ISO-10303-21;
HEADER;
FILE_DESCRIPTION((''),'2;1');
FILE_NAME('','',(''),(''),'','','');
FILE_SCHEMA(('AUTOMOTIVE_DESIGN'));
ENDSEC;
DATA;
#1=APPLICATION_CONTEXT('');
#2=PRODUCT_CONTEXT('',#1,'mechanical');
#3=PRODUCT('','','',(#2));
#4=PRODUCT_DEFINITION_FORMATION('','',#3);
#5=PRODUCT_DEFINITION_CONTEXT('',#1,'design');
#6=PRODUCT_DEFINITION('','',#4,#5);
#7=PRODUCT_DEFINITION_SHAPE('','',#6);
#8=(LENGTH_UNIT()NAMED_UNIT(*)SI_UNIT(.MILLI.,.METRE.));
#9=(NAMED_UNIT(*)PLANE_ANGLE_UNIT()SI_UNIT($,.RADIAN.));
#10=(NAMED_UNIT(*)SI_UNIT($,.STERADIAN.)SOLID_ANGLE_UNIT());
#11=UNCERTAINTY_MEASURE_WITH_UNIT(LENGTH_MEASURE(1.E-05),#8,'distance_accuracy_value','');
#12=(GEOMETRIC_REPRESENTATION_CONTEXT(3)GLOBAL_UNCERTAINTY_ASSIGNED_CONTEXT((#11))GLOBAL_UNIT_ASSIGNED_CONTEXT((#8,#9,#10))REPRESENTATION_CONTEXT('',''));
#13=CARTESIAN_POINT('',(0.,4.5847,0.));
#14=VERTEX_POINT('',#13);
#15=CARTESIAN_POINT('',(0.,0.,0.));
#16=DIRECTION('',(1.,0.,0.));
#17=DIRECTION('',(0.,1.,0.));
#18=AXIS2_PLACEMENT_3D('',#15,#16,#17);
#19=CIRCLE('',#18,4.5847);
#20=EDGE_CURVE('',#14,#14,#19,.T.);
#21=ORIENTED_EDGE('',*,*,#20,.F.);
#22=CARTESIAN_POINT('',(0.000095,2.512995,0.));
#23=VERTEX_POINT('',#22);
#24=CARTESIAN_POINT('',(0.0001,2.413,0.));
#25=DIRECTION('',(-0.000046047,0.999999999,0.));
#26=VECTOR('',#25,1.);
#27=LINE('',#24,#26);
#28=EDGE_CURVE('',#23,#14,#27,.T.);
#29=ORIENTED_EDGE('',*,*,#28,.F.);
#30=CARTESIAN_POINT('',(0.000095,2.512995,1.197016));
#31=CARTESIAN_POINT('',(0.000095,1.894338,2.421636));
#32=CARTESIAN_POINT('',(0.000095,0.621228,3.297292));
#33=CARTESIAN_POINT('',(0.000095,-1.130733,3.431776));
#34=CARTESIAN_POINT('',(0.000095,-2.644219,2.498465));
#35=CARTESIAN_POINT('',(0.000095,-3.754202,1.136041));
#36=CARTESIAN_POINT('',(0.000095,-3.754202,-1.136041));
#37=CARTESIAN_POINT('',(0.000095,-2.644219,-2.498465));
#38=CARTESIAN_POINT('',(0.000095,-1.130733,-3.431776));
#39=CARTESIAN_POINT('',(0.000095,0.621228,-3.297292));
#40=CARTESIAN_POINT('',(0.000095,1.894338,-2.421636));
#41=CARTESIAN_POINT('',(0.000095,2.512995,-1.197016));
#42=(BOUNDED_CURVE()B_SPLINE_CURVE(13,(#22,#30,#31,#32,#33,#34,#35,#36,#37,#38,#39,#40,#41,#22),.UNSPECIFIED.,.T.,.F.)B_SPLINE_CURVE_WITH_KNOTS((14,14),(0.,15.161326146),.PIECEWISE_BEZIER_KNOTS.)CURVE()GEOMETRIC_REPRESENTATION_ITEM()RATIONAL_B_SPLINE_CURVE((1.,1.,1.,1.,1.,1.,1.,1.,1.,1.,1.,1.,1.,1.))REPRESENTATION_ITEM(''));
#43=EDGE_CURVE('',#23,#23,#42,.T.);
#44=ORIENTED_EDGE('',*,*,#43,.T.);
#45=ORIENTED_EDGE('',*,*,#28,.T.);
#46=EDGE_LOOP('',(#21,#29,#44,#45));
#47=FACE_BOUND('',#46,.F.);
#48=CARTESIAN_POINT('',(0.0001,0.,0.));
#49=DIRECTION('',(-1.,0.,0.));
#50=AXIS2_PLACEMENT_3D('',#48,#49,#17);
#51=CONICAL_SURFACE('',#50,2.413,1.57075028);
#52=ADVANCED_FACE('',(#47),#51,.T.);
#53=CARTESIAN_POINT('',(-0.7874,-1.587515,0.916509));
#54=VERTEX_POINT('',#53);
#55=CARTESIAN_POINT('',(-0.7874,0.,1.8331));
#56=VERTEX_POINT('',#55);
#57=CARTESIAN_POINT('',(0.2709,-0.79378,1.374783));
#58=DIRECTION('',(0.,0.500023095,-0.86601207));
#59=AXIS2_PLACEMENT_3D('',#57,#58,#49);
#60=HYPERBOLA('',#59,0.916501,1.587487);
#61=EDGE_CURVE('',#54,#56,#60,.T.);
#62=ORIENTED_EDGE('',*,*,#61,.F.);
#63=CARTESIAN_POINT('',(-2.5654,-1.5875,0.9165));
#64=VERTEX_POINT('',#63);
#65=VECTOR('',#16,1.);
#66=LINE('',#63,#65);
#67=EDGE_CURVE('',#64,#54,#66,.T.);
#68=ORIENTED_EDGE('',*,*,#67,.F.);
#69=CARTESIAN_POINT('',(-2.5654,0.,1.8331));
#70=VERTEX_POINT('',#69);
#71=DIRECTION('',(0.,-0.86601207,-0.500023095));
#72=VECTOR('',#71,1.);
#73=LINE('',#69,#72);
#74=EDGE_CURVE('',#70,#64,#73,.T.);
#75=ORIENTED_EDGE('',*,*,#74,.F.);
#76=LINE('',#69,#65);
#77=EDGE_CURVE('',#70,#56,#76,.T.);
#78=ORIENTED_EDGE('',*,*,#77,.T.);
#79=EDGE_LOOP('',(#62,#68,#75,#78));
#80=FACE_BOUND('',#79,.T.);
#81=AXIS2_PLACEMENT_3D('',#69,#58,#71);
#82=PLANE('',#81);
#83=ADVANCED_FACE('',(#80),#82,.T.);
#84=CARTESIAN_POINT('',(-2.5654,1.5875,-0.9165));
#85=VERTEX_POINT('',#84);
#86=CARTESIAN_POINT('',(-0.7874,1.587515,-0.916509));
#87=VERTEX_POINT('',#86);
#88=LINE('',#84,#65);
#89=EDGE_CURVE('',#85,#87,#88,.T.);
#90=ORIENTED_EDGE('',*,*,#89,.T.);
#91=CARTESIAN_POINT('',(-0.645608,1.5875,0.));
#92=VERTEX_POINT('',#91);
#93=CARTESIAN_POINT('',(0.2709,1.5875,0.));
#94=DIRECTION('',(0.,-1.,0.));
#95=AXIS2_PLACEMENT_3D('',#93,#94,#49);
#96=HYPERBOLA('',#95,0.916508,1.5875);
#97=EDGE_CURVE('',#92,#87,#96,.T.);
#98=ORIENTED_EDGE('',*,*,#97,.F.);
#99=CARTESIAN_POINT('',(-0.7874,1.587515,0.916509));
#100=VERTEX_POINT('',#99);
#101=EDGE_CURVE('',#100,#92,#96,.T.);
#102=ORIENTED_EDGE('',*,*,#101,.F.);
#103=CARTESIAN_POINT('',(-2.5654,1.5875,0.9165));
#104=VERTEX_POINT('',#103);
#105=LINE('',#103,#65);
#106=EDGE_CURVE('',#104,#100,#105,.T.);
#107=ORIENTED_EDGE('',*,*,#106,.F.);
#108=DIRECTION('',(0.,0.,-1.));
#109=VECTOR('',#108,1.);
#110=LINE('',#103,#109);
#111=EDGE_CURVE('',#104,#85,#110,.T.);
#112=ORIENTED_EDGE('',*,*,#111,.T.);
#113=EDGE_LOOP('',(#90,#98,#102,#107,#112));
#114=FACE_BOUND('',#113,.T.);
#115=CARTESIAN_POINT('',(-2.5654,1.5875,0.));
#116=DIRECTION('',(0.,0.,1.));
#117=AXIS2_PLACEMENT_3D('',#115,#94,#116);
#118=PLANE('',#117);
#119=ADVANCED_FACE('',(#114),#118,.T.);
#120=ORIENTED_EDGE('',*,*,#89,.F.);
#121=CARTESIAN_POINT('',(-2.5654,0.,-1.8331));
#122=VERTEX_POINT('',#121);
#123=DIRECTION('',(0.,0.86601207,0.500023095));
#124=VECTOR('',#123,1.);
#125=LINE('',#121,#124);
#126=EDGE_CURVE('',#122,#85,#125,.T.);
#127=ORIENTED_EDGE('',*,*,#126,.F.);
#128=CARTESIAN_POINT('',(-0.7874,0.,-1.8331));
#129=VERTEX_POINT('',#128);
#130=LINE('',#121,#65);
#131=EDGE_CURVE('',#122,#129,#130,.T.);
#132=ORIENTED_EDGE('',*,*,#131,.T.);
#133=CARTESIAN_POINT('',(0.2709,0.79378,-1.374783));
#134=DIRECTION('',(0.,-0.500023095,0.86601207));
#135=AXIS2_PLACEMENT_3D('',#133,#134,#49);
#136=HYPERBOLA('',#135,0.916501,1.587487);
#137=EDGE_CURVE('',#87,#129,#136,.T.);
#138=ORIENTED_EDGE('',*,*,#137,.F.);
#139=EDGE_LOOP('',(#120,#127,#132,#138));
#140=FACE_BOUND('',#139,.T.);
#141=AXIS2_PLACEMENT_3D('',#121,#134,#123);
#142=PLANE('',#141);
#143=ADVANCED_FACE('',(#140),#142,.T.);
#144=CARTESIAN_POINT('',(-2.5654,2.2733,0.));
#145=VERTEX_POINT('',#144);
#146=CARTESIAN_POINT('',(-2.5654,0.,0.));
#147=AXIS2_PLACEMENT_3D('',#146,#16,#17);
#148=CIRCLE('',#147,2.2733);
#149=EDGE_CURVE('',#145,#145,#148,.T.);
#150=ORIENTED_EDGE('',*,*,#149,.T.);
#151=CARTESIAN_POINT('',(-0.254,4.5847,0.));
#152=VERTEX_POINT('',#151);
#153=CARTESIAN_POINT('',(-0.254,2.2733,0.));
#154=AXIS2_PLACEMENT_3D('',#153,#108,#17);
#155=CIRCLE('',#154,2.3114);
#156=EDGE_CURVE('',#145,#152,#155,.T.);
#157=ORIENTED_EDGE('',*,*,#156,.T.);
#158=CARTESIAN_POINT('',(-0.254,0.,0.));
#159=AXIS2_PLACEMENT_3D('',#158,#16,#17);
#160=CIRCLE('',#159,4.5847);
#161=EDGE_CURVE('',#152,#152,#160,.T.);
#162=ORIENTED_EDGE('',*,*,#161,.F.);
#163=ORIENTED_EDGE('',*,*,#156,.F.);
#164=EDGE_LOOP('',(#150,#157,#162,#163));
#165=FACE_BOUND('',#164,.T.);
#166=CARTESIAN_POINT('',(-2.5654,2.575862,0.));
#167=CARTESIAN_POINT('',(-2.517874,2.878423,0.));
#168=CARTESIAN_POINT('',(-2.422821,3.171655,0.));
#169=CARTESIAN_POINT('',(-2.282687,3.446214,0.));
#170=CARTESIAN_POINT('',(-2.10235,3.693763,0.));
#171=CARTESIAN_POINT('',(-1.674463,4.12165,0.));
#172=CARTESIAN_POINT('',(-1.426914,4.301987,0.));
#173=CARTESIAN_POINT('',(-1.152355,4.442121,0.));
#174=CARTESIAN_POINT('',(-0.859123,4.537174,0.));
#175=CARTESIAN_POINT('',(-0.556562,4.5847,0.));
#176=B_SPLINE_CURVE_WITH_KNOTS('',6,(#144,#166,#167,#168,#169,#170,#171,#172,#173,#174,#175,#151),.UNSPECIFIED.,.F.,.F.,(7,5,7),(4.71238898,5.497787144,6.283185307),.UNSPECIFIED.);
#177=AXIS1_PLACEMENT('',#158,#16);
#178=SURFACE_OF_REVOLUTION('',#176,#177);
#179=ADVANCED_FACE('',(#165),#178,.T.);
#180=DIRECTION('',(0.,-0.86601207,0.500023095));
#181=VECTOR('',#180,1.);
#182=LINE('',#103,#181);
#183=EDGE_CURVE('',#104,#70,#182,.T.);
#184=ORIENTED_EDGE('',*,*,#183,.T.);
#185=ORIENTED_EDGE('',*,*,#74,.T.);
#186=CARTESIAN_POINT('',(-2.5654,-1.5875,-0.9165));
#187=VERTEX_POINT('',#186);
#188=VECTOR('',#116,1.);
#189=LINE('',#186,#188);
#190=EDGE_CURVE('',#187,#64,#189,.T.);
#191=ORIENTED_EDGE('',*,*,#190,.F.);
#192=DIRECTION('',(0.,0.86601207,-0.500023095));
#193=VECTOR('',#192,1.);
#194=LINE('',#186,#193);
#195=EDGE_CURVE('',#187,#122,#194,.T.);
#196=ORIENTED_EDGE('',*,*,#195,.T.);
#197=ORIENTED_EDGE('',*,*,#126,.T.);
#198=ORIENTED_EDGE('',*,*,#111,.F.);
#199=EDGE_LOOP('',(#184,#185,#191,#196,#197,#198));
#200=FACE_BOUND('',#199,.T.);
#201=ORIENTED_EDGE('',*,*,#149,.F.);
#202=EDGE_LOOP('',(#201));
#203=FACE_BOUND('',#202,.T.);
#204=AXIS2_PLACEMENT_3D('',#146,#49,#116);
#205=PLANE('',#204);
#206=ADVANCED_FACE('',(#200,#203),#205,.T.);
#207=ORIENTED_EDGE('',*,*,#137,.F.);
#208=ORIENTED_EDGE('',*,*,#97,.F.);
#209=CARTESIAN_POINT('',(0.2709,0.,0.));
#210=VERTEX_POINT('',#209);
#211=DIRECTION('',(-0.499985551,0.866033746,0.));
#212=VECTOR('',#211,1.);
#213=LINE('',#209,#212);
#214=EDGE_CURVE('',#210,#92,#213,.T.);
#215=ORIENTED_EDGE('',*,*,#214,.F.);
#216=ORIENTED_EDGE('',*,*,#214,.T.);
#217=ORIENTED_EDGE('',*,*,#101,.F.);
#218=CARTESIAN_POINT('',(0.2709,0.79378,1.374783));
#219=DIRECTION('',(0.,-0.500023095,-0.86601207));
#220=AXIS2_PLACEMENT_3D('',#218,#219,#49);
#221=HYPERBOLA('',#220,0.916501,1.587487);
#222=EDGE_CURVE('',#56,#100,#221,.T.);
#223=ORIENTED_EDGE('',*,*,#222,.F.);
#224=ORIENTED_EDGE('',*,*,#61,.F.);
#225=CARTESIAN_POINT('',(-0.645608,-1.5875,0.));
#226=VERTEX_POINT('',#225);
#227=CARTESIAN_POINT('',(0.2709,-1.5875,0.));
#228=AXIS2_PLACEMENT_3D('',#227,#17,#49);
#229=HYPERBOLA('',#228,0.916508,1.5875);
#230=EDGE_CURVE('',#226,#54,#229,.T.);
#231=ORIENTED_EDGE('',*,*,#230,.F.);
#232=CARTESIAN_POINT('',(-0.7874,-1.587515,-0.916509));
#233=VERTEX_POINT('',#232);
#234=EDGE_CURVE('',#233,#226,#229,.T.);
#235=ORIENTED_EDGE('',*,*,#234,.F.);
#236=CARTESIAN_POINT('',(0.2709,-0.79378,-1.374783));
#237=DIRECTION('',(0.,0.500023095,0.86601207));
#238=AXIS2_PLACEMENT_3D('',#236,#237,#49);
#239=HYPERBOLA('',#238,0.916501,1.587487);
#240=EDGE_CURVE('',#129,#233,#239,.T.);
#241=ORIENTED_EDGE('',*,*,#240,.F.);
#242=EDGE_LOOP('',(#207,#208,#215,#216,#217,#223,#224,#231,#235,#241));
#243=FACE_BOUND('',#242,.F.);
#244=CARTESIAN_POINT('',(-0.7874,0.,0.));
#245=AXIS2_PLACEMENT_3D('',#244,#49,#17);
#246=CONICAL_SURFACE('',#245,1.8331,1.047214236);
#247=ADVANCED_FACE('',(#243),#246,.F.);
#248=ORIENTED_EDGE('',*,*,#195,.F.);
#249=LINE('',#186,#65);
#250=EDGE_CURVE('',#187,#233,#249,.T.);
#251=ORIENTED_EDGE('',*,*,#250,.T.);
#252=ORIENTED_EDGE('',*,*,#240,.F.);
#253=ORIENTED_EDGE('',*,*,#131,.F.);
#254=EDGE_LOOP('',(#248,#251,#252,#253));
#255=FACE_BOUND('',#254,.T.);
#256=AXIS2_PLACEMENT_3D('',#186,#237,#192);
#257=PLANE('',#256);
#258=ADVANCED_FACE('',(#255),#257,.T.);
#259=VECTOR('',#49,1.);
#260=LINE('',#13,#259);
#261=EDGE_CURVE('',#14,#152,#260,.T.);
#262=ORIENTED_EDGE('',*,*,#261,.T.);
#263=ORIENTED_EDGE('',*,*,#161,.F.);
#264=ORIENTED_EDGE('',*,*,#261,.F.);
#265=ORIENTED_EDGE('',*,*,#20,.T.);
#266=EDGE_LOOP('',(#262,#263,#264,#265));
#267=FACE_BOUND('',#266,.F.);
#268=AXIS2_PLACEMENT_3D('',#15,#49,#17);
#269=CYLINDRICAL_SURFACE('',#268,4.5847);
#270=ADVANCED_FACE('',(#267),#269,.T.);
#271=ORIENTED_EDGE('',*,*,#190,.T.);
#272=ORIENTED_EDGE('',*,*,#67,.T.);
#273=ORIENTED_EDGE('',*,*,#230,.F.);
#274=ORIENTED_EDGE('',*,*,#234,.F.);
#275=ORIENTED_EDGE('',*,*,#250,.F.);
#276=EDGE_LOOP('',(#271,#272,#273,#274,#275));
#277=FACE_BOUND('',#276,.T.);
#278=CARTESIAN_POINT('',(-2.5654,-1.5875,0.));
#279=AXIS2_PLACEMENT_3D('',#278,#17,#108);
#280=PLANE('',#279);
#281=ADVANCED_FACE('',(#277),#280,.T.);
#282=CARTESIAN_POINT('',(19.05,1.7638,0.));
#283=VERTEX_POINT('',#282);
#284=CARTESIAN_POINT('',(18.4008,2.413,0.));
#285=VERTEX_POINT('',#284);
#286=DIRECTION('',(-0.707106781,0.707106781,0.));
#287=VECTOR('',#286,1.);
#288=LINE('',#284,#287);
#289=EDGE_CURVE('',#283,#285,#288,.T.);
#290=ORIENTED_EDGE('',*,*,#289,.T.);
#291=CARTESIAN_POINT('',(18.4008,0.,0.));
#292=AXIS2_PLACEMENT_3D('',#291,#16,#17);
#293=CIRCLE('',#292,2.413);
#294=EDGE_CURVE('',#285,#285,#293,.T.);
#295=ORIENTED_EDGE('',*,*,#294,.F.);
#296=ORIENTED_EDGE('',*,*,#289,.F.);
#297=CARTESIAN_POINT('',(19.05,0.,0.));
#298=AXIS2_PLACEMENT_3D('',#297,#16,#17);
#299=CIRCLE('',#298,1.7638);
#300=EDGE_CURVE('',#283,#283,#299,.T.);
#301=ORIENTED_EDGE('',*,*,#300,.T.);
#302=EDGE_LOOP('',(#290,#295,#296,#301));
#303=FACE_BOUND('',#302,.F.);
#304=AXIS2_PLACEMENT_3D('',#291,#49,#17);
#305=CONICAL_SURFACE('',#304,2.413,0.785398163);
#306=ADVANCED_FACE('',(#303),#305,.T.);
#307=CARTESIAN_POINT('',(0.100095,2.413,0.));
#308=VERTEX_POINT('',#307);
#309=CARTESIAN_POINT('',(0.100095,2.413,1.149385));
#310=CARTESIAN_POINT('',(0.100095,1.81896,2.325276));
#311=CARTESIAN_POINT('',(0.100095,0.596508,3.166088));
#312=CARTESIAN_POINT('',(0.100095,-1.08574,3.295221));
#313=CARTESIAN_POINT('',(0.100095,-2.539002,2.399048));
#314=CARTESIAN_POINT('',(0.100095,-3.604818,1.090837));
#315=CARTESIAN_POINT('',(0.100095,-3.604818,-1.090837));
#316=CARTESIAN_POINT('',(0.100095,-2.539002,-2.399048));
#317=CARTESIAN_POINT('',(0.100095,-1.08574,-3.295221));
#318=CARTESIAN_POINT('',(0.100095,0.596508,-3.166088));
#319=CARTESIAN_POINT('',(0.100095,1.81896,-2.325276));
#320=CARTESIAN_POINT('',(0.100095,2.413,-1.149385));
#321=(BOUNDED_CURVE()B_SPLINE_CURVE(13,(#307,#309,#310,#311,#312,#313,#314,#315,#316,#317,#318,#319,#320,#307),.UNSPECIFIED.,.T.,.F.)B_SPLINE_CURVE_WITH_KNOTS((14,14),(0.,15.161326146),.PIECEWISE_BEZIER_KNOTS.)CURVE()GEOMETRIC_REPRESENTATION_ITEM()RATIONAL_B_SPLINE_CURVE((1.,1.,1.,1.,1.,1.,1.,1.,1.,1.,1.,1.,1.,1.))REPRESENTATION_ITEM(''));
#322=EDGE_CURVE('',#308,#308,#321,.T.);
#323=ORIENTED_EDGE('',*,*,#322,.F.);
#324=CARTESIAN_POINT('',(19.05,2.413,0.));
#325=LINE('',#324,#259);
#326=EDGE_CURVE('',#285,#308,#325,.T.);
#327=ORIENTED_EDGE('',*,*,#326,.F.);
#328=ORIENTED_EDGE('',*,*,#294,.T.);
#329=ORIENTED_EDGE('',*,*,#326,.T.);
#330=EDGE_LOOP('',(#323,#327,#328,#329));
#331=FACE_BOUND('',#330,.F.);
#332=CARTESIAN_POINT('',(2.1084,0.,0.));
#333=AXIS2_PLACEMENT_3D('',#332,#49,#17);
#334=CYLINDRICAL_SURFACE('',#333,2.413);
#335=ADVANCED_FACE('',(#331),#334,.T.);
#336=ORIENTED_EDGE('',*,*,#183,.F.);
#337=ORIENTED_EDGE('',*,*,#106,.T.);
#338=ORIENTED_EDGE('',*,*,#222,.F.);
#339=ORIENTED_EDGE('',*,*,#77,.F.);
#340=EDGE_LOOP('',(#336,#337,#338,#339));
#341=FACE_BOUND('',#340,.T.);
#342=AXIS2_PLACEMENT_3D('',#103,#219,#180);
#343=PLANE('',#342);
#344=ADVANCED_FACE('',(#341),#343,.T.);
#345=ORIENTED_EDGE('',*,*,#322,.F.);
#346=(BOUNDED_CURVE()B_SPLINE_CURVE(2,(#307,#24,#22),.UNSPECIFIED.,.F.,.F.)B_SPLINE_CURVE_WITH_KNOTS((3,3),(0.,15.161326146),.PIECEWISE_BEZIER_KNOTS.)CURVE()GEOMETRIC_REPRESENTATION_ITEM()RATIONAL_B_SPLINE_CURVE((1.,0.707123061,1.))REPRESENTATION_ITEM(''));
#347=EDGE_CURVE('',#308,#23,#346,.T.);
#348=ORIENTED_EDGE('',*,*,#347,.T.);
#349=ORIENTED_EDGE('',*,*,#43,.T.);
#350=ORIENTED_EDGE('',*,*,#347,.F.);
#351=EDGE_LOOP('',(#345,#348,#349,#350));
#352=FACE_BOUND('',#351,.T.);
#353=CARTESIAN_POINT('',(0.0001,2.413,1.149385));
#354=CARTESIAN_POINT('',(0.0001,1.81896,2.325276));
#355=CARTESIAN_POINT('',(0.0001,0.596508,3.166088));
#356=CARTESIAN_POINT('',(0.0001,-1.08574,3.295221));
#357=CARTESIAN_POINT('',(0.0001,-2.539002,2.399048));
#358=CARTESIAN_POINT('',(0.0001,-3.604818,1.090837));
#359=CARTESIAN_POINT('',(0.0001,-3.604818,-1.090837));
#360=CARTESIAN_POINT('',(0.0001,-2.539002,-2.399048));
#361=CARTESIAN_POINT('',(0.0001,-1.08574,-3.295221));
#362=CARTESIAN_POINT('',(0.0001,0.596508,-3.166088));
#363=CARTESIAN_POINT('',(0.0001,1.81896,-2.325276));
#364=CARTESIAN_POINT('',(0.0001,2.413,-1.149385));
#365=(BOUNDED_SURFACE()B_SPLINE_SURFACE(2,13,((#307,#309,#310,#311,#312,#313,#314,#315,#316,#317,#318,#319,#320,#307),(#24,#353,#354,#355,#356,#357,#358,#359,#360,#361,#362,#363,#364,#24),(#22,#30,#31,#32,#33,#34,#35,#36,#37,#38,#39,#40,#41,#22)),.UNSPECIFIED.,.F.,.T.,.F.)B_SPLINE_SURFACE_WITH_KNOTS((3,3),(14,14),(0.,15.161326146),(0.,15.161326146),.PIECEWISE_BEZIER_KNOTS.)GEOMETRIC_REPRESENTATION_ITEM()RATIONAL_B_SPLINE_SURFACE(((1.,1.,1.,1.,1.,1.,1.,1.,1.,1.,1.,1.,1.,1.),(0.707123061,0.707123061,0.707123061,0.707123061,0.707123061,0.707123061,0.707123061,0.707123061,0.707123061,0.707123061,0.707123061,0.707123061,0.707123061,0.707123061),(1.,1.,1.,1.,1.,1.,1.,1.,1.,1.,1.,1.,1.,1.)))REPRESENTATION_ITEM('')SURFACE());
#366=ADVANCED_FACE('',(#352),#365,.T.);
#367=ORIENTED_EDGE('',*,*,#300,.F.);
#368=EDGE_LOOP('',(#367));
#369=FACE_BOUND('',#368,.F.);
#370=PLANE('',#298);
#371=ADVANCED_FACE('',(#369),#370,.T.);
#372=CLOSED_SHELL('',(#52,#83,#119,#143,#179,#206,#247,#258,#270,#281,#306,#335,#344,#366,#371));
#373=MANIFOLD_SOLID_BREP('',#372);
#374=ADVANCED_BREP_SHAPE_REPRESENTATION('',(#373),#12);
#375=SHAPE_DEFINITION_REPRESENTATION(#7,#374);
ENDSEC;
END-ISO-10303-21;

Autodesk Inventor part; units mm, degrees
ref_plane "YZ Plane" through (0, 0, 0) normal (1, 0, 0) x (0, 1, 0)
ref_plane "XZ Plane" through (0, 0, 0) normal (0, 1, 0) x (-1, 0, 0)
sketch "Sketch1" plane through (0, 0, 0) normal (0, 0, 1) x (1, 0, 0)
  line L0 (0.2709, 0) -> (19.05, 0)
  line L1 (19.05, 0) -> (19.05, 2.413)
  line L2 (19.05, 2.413) -> (2.1084, 2.413)
  line L3 (2.1084, 2.413) -> (0.0001, 2.413)
  line L4 (0.0001, 2.413) -> (0, 2.413)
  line L5 (0, 2.413) -> (0, 4.5847)
  line L6 (0, 4.5847) -> (-2.5654, 4.5847)
  line L7 (-2.5654, 4.5847) -> (-2.5654, 1.8331)
  line L8 (-2.5654, 1.8331) -> (-0.7874, 1.8331)
  line L9 (-0.7874, 1.8331) -> (0.2709, 0)
  line L10 (-6.8885, 0) -> (23.3731, 0) projected
  line L11 (0, -0.9169) -> (0, 5.5016) projected
  line L12 (2.1084, 2.413) -> (0, 2.413) construction
  dimension "d1" = 16.9416
  dimension "d2" = 2.1083
  dimension "d3" = 2.5654
  dimension "d4" = 1.778
  dimension "d5" = 60
  dimension "d6" = 4.826
  dimension "d7" = 4.826
  dimension "d8" = 3.6662
  dimension "d9" = 9.1694
  dimension "d26" = 19.05
revolve "Body" add sketch "Sketch1" angle 360 about axis through (0.2709, 0, 0) along (1, 0, 0) contours L9 L11 L3 L2 L1 L0 | L9 L8 L7 L6 L5 L11
sketch "Sketch2" plane through (-2.5654, 0, 0) normal (-1, 0, 0) x (0, 0, 1)
  circle A0 centre (0, 0) radius 1.8331 projected
  line L0 (0, -6.4186) -> (0, 6.4186) projected
  line L1 (-6.4186, 0) -> (6.4186, 0) projected
  line L2 (1.8331, 0) -> (0.9165, -1.5875)
  line L3 (0.9165, -1.5875) -> (-0.9165, -1.5875)
  line L4 (-0.9165, -1.5875) -> (-1.8331, 0)
  line L5 (-1.8331, 0) -> (-0.9165, 1.5875)
  line L6 (-0.9165, 1.5875) -> (0.9165, 1.5875)
  line L7 (0.9165, 1.5875) -> (1.8331, 0)
  point P0 (0, 0)
extrude "Slot" add sketch "Sketch2" against normal up to next contours L7 A0 | A0 L2 | L6 L0 A0 | A0 L0 L3 | L0 L6 A0 | A0 L3 L0 | L4 A0 | A0 L5
fillet "Fillet1" radius 2.3114 1 edges at (-2.5654, -4.5847, 0)
thread "Thread" size "10-24 UNC" class "2A" standard "ANSI Unified Screw Threads" length 16.9416
chamfer "Chamfer1" distance 0.6492 distance2 0.6492 1 edges at (19.05, -2.413, 0) measured on face at (19.05, -1.2173, -0.6389)
ref_plane "Work Plane1" through (29, 0, 0) normal (0, -1, 0) x (1, 0, 0)
fillet "Fillet2" radius 0.1 1 edges at (0.0001, -2.413, 0)
equation "\"d1\" = GEL"
equation "\"d3\" = KOH"
equation "\"d4\" = INTI"
equation "\"d6\" = GD"
equation "\"d7\" = BDM"
equation "\"d8\" = 1.1547 * SW"
equation "\"d9\" = KOD"
equation "\"d26\" = NLG"
equation "\"d30\" = R"
equation "\"d17\" = RR"
equation "\"d13\" = GEL"
equation "\"d15\" = -0.5 * SPD + 0.5 * GD"
equation "\"d16\" = GUL"
equation "\"GD\" = NND"
equation "\"NLG\" = 19.05"
equation "\"GEL\" = 16.9416"
equation "\"KOD\" = 9.1694"
equation "\"KOH\" = 2.5654"
equation "\"INTI\" = 1.778"
equation "\"GAL\" = 2.1082"
equation "\"GUL\" = 0.64922"
equation "\"BDM\" = NND"
equation "\"SW\" = 3.175"
equation "\"RR\" = 2.3114"
equation "\"SPD\" = 3.52755"
equation "\"R\" = 0.1"
equation "\"TOA\" = 30deg"
equation "\"GD1\" = SPD"
equation "\"THREADDIA\" = 4.826"
equation "\"KOH1\" = 0.508"
equation "\"NND\" = 4.826"
equation "\"E0\" = 3.66725"
properties part number "ANSI B18.3 - 10 - 24 x 3/4" material "Steel, Mild"
